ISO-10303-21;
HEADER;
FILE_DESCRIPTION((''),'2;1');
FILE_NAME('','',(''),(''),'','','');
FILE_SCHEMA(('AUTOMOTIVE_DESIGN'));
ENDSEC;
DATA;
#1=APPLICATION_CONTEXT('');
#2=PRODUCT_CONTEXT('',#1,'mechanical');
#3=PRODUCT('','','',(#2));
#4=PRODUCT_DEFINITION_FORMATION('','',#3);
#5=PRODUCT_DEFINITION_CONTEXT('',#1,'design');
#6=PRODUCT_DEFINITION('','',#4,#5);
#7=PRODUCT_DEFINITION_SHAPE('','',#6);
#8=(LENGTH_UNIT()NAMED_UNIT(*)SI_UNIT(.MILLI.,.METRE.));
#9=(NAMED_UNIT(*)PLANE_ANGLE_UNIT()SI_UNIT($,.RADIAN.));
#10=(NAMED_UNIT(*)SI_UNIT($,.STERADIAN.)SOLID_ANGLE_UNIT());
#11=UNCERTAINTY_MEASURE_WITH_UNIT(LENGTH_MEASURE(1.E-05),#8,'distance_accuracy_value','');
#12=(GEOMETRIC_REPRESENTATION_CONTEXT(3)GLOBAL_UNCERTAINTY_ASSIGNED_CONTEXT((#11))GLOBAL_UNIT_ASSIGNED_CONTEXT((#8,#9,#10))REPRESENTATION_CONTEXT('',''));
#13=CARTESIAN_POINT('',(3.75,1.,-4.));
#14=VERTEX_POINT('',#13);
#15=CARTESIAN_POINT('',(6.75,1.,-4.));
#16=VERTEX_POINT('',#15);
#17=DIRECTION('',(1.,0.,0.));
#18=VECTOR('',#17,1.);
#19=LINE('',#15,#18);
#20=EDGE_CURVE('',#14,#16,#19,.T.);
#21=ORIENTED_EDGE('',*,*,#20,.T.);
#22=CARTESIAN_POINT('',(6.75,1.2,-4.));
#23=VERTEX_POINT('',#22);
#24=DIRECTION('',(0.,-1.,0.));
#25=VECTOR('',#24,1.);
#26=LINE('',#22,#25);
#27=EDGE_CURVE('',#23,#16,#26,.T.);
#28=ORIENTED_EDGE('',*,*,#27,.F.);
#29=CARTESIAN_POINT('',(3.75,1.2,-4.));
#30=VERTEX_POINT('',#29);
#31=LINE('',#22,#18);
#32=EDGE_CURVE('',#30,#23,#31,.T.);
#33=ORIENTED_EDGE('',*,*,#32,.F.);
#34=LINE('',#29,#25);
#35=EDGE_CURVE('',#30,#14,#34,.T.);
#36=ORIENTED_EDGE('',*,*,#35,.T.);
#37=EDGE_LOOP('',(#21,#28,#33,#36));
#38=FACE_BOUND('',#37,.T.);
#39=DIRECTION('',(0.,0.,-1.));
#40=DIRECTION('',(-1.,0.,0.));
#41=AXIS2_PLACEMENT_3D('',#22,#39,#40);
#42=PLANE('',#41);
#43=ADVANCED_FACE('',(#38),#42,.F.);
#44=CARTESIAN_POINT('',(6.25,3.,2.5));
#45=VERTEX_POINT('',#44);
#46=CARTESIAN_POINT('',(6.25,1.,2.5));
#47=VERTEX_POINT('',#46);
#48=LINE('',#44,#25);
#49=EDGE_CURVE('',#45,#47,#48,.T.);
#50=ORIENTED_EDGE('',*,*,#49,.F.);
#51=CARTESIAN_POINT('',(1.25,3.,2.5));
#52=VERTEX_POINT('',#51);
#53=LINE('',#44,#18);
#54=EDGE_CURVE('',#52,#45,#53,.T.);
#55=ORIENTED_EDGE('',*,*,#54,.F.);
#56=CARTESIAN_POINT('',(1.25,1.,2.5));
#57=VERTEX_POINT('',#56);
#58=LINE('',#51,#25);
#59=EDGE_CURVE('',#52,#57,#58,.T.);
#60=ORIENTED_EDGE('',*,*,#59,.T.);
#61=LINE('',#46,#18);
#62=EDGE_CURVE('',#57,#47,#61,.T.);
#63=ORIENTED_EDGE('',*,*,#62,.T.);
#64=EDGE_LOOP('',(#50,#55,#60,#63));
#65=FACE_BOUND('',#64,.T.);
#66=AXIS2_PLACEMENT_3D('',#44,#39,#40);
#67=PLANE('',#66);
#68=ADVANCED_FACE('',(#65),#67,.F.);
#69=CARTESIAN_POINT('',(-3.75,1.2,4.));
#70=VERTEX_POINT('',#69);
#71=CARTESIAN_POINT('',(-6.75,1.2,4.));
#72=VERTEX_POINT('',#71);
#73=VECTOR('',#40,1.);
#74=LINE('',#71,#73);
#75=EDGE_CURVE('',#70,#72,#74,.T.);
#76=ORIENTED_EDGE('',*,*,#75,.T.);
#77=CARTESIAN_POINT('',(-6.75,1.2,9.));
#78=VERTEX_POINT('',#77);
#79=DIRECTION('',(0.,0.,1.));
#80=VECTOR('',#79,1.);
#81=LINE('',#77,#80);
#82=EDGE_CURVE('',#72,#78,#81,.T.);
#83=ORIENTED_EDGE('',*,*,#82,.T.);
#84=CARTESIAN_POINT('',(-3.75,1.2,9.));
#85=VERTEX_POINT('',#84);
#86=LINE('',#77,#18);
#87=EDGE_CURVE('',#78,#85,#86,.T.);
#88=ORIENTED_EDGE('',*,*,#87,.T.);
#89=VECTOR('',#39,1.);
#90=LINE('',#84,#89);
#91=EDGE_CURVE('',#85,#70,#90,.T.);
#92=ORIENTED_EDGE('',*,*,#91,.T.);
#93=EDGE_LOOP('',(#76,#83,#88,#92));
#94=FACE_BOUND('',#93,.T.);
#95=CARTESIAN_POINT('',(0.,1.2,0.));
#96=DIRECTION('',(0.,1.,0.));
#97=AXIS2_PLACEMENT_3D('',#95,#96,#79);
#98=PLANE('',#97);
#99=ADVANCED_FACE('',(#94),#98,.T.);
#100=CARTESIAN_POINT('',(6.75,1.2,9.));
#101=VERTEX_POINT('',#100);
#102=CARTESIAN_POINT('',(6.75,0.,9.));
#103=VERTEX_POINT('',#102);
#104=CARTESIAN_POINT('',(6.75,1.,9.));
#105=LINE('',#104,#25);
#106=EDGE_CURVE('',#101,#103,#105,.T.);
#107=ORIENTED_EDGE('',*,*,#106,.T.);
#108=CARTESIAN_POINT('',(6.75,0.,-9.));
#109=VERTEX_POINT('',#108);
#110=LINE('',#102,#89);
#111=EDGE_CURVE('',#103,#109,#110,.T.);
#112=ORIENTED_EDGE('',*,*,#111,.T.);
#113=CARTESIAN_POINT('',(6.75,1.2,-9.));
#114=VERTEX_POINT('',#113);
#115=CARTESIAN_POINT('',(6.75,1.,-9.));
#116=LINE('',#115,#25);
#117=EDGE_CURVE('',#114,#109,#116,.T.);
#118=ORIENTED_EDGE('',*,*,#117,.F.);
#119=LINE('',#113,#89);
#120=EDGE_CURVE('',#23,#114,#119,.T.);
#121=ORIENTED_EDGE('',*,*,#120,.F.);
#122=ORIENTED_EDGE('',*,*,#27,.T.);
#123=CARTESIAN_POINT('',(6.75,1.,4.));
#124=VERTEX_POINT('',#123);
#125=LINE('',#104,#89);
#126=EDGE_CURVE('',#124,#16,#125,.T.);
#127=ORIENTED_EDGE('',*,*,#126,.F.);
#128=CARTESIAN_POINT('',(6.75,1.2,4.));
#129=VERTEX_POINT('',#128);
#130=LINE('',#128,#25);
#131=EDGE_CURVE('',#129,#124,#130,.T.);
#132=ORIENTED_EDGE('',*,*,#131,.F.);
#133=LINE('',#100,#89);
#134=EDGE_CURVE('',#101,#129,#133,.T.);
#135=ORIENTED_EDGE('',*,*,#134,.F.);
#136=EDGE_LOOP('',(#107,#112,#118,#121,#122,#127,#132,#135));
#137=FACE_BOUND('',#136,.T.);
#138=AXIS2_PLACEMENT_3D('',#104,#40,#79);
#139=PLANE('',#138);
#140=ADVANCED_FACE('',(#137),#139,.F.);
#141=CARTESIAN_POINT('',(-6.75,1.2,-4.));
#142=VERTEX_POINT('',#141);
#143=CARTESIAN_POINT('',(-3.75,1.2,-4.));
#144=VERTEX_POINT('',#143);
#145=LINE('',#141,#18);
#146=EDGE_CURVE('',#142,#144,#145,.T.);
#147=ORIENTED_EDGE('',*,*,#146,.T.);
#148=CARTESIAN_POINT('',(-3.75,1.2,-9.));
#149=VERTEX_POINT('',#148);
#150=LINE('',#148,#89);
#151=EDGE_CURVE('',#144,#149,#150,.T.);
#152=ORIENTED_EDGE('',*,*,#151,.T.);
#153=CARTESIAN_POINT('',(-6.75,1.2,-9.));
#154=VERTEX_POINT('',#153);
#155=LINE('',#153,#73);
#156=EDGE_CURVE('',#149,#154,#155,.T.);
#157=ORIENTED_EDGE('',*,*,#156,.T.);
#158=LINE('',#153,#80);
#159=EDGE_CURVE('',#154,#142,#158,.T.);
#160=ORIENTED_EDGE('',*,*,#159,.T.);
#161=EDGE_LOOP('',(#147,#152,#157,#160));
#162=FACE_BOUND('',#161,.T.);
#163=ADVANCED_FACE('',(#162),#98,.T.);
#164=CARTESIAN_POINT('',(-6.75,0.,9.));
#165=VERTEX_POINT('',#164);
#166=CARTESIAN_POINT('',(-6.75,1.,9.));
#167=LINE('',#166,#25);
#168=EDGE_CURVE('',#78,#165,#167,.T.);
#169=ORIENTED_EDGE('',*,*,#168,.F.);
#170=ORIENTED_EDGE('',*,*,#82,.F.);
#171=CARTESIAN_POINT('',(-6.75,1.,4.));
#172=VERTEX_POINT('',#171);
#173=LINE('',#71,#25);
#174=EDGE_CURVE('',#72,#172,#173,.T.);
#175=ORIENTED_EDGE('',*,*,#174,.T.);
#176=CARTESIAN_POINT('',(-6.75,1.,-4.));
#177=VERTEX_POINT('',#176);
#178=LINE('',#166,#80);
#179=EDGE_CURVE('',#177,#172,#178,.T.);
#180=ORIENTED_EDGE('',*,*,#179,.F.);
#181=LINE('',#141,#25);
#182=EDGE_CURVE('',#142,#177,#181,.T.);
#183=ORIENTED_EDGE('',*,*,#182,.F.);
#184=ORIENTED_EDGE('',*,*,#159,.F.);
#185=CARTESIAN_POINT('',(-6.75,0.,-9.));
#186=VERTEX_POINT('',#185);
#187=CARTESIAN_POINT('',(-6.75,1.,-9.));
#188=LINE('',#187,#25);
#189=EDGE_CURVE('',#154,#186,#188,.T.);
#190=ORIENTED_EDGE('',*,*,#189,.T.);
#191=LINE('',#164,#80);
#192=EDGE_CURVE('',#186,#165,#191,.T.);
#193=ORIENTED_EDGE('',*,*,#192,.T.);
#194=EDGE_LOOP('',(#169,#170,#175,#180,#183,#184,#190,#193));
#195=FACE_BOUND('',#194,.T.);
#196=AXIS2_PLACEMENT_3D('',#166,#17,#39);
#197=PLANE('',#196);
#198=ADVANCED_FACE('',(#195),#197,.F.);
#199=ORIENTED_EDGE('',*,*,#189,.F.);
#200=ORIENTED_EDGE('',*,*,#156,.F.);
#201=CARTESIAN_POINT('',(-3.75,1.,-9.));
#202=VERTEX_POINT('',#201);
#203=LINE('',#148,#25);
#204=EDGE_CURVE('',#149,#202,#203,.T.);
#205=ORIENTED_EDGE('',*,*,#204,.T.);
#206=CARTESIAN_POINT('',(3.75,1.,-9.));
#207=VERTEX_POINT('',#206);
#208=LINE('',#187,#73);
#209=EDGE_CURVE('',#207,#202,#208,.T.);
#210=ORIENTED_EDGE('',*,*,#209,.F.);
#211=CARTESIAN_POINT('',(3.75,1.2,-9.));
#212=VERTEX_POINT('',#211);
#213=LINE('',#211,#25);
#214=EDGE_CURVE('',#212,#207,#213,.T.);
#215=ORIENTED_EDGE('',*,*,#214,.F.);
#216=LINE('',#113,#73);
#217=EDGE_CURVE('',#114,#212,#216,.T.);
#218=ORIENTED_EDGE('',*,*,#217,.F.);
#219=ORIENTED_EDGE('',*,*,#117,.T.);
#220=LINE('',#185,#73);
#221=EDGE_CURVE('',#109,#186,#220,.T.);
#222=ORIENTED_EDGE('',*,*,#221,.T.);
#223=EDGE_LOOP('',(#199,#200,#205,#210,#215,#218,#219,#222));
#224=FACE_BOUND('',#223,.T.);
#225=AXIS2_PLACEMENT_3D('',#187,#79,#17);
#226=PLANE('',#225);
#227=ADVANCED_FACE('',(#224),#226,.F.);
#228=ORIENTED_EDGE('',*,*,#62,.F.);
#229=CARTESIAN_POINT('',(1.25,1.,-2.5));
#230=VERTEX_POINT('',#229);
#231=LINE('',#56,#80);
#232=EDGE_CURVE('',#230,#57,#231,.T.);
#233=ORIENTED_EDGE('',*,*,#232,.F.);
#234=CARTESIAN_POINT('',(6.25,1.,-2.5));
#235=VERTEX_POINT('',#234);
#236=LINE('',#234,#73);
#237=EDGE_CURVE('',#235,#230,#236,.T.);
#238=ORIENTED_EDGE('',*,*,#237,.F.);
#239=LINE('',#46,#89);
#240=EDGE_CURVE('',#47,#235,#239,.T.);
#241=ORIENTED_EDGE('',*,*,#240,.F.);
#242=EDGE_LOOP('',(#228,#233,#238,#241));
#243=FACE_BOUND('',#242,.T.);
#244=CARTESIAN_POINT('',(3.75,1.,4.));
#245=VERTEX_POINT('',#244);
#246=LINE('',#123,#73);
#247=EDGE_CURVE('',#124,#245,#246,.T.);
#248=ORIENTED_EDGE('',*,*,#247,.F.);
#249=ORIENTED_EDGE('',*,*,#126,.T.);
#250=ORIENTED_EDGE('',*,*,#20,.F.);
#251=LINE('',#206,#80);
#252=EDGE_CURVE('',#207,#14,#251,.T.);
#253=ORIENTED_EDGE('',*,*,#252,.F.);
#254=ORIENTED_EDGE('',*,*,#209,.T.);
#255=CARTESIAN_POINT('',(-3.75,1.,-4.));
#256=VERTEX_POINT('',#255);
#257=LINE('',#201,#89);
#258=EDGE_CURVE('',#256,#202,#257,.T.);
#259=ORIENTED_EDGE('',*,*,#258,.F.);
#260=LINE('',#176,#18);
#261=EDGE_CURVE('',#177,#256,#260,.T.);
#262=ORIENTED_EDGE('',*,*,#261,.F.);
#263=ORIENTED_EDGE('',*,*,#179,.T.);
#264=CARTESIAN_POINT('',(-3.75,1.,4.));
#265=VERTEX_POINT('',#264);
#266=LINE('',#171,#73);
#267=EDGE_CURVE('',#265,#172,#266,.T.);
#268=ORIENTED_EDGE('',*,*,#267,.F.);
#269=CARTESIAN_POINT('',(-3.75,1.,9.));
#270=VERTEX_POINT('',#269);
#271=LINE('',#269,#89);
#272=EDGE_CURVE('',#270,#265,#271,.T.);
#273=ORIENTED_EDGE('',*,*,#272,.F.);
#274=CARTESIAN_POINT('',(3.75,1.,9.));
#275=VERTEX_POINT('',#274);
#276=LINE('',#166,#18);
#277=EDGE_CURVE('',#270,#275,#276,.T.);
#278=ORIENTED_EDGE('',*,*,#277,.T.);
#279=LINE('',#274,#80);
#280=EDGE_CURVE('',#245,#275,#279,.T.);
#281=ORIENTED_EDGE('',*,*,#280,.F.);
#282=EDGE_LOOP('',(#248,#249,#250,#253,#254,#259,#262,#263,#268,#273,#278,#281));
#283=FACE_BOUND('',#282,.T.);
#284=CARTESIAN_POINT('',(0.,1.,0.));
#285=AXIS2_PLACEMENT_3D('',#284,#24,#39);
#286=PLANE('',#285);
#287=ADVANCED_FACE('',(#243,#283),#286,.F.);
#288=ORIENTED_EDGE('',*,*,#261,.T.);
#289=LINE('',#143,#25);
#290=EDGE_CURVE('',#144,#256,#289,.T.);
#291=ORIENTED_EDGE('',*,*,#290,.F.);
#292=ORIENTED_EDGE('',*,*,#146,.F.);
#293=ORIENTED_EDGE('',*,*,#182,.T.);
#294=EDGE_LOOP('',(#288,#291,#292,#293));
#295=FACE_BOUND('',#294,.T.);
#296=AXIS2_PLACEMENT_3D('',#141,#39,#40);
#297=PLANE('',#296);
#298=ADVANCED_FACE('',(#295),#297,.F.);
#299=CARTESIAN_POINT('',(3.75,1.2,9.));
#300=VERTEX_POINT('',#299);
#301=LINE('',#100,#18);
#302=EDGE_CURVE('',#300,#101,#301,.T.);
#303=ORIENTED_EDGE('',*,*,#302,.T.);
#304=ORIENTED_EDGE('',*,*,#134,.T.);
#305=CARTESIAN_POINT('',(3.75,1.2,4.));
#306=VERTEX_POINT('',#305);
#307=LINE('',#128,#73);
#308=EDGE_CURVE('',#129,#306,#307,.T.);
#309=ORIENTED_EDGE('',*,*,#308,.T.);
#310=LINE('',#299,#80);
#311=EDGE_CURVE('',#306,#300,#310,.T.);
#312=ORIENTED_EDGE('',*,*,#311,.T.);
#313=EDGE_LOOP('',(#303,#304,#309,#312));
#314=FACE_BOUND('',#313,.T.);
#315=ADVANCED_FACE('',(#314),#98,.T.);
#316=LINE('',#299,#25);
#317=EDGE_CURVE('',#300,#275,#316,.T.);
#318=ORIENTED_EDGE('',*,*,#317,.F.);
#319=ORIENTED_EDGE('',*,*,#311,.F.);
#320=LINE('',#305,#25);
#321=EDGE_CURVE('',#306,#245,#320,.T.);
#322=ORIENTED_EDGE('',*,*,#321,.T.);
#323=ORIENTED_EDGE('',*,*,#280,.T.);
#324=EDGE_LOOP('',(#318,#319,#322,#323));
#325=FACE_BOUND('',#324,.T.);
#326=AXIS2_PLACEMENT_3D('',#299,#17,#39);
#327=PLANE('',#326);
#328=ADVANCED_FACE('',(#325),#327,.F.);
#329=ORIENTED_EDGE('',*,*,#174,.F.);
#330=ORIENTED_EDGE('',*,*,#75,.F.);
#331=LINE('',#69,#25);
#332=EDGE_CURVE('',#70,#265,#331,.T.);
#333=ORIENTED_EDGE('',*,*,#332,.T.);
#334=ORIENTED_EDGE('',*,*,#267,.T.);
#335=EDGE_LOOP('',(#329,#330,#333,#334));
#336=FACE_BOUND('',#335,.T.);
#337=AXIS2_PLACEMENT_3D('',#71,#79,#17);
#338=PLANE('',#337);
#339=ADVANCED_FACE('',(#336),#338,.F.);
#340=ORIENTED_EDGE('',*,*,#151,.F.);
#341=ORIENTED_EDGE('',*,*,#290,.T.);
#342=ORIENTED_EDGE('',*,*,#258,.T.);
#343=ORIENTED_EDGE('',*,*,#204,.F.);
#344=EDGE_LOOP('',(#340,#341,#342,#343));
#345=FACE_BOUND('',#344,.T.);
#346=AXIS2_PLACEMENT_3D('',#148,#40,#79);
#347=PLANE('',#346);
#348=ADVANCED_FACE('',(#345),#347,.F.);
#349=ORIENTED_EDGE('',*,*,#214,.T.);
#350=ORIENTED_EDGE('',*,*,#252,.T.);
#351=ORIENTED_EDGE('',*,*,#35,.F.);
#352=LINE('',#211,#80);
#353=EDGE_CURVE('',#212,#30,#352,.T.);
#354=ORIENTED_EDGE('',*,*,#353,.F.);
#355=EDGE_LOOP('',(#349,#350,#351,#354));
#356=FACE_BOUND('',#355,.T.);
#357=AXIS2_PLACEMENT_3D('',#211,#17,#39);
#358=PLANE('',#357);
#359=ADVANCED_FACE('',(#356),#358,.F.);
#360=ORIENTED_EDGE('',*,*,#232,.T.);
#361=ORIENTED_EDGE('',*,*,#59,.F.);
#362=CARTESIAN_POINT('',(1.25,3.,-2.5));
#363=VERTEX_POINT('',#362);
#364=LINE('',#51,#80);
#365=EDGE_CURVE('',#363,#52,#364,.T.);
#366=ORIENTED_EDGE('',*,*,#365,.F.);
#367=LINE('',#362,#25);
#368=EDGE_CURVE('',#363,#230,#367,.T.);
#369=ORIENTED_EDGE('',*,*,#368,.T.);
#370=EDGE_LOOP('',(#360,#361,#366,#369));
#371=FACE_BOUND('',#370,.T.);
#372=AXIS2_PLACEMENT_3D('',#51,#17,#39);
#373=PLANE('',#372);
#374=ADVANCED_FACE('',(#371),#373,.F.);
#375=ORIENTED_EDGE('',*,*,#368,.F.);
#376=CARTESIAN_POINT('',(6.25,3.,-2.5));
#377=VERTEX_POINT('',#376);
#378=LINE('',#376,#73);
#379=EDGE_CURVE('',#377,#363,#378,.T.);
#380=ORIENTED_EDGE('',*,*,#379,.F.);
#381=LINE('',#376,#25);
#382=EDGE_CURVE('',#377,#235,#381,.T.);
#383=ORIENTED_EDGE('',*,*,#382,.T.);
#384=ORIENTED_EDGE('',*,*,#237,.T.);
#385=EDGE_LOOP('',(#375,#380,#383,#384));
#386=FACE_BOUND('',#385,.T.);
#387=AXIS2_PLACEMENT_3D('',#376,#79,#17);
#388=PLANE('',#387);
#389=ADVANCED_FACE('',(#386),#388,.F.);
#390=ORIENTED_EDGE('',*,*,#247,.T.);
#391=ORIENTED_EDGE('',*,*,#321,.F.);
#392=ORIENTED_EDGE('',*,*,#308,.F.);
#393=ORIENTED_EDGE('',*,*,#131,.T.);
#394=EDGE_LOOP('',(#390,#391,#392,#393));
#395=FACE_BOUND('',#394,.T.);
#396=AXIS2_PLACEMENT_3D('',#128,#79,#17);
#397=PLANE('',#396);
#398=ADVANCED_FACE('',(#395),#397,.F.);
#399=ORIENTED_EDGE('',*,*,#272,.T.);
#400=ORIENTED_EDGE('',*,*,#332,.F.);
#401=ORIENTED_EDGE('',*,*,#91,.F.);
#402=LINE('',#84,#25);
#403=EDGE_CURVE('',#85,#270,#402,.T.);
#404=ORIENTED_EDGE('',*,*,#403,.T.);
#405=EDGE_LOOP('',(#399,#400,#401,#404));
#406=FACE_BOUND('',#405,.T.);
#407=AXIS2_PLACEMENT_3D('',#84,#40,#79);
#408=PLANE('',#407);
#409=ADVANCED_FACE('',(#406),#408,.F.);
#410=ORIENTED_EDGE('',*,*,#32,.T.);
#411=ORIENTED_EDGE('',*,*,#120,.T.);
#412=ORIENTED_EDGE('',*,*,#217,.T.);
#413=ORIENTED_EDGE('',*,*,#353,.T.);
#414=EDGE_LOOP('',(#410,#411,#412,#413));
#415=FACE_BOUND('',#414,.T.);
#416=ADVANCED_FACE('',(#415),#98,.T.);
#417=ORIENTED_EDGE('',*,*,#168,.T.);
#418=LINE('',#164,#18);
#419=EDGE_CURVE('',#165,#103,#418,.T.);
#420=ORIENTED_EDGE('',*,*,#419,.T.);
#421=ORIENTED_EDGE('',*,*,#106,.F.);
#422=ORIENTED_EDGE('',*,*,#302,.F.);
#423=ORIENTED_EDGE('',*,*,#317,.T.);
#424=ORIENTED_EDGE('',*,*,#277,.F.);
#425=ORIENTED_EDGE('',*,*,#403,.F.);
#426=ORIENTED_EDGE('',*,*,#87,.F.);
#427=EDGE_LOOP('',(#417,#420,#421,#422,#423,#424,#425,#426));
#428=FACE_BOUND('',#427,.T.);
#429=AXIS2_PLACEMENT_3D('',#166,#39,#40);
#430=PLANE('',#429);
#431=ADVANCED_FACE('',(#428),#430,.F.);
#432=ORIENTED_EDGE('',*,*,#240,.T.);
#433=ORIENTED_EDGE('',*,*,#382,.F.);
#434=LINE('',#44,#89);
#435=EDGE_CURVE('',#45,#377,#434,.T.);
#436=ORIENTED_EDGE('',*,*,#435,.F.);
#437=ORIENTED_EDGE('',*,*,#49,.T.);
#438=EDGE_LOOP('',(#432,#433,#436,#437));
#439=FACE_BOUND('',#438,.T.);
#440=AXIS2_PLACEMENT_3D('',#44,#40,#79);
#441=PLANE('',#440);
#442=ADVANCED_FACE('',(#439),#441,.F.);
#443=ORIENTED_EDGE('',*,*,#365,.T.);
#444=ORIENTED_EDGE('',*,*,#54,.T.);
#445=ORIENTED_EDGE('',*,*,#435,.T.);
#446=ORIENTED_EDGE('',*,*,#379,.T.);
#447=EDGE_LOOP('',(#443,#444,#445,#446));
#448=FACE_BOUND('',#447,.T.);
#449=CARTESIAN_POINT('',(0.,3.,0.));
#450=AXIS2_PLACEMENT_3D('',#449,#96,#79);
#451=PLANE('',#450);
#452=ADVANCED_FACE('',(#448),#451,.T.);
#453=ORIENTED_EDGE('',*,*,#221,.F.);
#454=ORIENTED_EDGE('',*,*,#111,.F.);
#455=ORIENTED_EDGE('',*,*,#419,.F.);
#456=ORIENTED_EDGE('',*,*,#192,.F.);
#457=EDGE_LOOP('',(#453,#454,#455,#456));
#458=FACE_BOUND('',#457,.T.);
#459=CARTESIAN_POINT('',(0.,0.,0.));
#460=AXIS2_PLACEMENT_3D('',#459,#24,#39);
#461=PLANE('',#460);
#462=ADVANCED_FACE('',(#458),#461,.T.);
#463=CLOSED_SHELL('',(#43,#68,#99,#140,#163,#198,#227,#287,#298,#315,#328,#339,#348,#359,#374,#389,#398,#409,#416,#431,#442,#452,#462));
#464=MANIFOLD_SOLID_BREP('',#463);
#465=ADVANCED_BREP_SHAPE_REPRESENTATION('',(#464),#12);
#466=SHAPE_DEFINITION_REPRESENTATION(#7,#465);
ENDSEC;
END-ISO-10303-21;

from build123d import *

# Parameters (mm, degrees)
SKETCH_1_W      = 13.5
SKETCH_1_H      = 18
EXTRUDE_1_DEPTH = 1
SKETCH_2_W      = 3
SKETCH_2_H      = 5
EXTRUDE_2_DEPTH = 0.2
SKETCH_3_W      = 5
SKETCH_3_H      = 5
EXTRUDE_3_DEPTH = 2


with BuildPart() as part:
    # Эскиз1 → Бобышка-Вытянуть1 (new body)
    with BuildSketch(Plane(origin=(0, 0, 0), x_dir=(1, 0, 0), z_dir=(0, 1, 0))):
        Rectangle(SKETCH_1_W, SKETCH_1_H)
    extrude(amount=EXTRUDE_1_DEPTH)

    # Эскиз2 → Бобышка-Вытянуть2 (add)
    with BuildSketch(Plane(origin=(0, 1, 0), x_dir=(1, 0, 0), z_dir=(0, 1, 0))):
        with Locations((-5.25, -6.5)):
            Rectangle(SKETCH_2_W, SKETCH_2_H)
        with Locations((5.25, -6.5)):
            Rectangle(SKETCH_2_W, SKETCH_2_H)
        with Locations((-5.25, 6.5)):
            Rectangle(SKETCH_2_W, SKETCH_2_H)
        with Locations((5.25, 6.5)):
            Rectangle(SKETCH_2_W, SKETCH_2_H)
    extrude(amount=EXTRUDE_2_DEPTH)

    # Эскиз3 → Бобышка-Вытянуть3 (add)
    with BuildSketch(Plane(origin=(0, 1, 0), x_dir=(1, 0, 0), z_dir=(0, 1, 0))):
        with Locations((3.75, 0)):
            Rectangle(SKETCH_3_W, SKETCH_3_H)
    extrude(amount=EXTRUDE_3_DEPTH)


solid = part.part
